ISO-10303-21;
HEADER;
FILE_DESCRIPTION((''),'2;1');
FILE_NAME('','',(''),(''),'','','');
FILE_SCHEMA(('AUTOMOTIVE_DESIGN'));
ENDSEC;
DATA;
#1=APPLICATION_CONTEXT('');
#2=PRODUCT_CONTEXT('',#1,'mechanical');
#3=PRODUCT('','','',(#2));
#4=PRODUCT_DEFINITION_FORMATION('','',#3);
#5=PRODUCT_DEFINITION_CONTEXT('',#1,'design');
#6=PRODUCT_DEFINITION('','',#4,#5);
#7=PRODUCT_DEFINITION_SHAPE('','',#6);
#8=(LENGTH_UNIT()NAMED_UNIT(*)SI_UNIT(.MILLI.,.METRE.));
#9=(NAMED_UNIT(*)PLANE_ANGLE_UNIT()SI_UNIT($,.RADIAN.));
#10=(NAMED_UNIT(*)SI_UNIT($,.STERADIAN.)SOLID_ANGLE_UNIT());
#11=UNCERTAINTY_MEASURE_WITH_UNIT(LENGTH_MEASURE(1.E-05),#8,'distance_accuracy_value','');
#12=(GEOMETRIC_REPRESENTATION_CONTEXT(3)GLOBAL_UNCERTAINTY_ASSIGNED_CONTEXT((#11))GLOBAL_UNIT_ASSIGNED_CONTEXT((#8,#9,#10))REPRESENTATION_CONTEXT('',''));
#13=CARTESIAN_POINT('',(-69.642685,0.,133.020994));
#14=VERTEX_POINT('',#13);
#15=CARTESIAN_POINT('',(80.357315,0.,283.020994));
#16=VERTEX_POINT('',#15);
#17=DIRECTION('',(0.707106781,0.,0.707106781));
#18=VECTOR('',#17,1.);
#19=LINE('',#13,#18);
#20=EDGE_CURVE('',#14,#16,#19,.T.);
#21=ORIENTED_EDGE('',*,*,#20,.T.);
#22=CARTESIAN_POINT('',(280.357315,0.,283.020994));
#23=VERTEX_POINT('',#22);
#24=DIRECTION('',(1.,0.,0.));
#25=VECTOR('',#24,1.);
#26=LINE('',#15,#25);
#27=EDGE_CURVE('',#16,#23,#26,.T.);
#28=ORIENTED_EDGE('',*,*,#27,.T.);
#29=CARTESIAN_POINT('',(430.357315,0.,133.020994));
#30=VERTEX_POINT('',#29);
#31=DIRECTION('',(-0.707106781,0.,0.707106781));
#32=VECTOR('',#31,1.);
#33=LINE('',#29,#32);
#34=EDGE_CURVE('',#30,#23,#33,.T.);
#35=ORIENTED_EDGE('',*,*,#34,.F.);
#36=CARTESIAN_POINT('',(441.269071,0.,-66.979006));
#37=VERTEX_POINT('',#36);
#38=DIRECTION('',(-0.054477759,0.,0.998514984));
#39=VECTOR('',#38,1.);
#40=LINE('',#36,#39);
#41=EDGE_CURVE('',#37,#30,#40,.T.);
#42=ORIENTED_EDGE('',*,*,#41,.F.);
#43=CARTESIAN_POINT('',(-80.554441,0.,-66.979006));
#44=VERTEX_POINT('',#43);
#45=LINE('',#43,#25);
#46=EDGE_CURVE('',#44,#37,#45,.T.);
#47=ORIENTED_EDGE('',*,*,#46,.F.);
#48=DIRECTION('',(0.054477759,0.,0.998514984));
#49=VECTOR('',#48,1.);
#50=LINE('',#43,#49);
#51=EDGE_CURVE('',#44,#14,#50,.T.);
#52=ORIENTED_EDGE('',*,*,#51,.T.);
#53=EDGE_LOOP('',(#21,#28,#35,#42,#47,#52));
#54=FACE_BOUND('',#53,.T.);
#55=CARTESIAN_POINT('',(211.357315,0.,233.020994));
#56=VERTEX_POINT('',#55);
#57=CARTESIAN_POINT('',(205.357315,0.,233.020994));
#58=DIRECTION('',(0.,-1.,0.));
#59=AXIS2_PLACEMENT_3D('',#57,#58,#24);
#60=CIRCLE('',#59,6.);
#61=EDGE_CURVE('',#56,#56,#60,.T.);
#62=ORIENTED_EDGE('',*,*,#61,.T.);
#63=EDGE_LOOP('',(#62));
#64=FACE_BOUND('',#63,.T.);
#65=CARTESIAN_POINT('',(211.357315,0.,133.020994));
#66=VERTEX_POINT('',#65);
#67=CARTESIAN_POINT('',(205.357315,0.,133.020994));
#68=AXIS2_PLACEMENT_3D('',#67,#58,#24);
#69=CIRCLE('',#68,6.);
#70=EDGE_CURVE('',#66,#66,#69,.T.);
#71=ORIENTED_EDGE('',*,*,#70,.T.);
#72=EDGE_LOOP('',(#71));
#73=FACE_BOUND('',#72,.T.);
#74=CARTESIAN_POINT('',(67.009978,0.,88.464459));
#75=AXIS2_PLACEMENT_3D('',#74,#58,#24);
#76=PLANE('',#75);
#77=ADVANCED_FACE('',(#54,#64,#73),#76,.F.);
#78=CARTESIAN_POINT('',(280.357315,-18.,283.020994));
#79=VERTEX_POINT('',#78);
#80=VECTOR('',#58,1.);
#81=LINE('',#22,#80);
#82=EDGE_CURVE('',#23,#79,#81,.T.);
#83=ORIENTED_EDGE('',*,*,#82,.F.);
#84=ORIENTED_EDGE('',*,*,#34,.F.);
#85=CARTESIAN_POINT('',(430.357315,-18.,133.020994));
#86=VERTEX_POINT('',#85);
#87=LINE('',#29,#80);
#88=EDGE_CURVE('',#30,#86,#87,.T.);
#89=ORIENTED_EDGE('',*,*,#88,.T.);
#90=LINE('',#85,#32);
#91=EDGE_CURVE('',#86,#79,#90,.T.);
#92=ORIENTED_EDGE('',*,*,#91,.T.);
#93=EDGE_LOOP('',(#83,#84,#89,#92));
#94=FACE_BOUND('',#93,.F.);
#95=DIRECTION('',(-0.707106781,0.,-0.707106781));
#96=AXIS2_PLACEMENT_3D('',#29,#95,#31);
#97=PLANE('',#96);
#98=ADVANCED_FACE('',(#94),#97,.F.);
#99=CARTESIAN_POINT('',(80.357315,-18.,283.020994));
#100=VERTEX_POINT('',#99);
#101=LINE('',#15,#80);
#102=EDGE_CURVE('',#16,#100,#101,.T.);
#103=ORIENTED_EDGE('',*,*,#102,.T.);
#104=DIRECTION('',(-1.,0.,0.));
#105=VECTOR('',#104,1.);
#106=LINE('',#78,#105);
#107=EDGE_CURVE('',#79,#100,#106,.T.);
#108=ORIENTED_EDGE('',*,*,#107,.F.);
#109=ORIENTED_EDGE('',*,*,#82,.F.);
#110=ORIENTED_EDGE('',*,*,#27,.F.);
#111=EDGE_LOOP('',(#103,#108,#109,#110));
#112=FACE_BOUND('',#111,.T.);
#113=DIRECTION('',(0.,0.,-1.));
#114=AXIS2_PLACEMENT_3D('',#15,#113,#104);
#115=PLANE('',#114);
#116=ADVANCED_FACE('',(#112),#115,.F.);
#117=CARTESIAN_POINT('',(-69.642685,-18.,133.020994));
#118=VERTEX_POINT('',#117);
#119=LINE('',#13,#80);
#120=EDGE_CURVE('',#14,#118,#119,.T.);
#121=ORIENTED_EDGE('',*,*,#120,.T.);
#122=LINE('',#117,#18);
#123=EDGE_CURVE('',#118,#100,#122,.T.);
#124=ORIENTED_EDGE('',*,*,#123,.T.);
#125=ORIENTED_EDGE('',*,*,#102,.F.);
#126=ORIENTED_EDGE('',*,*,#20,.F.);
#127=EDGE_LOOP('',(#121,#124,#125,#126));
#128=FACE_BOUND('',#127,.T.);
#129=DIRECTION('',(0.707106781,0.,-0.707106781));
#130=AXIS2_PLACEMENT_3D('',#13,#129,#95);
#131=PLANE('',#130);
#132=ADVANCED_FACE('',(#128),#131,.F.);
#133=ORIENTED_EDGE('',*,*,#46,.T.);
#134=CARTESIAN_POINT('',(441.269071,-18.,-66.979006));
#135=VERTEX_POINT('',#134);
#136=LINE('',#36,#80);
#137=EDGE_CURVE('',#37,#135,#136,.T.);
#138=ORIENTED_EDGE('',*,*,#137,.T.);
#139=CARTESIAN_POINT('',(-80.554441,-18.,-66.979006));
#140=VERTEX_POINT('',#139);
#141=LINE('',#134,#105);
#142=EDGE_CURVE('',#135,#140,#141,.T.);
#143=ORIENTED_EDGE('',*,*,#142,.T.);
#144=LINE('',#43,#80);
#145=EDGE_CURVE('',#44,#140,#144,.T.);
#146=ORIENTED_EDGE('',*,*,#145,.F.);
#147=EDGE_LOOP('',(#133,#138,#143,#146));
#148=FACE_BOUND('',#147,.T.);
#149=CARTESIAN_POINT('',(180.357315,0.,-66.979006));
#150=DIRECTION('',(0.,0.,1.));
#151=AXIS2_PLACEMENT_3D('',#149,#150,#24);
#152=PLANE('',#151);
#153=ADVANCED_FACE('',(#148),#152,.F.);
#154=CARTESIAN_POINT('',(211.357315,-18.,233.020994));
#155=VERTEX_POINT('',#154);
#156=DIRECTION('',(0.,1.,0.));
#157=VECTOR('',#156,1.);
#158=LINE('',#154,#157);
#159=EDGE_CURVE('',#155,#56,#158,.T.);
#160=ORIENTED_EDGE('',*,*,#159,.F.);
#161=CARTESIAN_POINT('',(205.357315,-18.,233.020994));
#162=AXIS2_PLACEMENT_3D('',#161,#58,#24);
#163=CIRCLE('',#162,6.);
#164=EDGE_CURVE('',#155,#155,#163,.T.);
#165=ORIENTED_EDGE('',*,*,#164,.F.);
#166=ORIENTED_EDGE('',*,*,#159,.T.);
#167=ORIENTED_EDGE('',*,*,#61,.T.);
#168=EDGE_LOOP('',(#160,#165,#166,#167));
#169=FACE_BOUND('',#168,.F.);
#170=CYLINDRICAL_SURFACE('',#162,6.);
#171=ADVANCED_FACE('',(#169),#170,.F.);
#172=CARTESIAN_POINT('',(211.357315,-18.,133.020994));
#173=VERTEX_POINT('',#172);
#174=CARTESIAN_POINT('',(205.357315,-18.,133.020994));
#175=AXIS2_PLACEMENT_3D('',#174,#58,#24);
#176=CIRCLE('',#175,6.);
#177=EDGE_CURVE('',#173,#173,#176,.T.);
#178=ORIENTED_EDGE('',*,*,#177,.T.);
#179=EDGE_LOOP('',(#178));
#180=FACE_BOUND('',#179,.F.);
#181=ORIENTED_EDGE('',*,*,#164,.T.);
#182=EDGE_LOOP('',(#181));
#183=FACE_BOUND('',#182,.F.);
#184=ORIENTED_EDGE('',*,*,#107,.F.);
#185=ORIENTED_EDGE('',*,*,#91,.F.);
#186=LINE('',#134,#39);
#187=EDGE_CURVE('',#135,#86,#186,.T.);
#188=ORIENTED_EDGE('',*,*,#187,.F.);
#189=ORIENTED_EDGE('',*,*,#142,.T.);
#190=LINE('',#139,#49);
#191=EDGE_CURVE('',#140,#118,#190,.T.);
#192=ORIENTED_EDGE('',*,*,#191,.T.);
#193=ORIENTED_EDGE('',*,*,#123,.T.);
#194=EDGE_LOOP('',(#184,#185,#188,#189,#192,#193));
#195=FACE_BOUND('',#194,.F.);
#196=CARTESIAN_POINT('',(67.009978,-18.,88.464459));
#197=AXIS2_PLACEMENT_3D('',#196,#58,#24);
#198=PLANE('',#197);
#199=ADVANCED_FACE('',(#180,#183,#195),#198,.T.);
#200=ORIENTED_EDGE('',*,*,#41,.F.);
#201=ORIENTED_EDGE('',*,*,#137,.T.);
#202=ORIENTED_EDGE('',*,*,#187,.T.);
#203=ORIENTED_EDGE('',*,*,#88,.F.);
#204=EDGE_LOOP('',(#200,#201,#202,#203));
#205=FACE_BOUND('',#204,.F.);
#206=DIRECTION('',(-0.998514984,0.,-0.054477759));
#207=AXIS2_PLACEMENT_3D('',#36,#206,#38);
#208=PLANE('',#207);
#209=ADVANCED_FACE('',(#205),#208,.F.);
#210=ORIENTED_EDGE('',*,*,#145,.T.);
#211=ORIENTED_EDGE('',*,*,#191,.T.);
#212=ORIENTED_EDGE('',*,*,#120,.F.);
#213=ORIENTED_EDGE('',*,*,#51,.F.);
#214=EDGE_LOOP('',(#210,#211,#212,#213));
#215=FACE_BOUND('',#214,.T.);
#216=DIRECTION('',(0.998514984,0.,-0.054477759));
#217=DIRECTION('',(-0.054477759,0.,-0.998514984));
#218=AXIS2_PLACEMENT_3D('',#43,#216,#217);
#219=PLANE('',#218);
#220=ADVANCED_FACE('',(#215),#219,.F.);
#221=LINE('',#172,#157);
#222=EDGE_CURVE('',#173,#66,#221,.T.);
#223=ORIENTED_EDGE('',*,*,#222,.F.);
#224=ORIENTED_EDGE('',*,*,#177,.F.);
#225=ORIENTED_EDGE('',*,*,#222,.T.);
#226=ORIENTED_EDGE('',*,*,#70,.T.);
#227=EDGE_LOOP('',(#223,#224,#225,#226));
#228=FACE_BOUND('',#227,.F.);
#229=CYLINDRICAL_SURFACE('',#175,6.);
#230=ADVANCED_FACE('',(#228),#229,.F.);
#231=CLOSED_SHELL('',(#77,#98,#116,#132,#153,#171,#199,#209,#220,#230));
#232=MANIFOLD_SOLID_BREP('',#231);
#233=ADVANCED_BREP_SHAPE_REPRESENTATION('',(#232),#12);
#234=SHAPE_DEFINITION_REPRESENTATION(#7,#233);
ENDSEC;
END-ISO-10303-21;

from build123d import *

# Parameters (mm, degrees)
F1_DEPTH = 18
F3_R     = 6
F4_DEPTH = 25


with BuildPart() as f1:
    # F0 (on Front) → F1 (new body)
    with BuildSketch(Plane.XZ):
        Polygon((180.357315, 283.020994), (180.357315, -66.979006), (441.269071, -66.979006), (430.357315, 133.020994), (280.357315, 283.020994), align=None)
    extrude(amount=F1_DEPTH)

    # F2: F1 across face


with BuildPart() as f1_1:
    add(f1.part)
    add(f1.part.mirror(Plane(origin=(180.357315, -9, 108.020994), x_dir=(0, -1, 0), z_dir=(-1, 0, 0))))

    # F3 (on face) → F4 (cut)
    with BuildSketch(Plane.XZ.offset(18)):
        with Locations((205.357315, 233.020994)):
            Circle(F3_R)
        with Locations((205.357315, 133.020994)):
            Circle(F3_R)
    extrude(amount=-F4_DEPTH, mode=Mode.SUBTRACT)


solid = f1_1.part
